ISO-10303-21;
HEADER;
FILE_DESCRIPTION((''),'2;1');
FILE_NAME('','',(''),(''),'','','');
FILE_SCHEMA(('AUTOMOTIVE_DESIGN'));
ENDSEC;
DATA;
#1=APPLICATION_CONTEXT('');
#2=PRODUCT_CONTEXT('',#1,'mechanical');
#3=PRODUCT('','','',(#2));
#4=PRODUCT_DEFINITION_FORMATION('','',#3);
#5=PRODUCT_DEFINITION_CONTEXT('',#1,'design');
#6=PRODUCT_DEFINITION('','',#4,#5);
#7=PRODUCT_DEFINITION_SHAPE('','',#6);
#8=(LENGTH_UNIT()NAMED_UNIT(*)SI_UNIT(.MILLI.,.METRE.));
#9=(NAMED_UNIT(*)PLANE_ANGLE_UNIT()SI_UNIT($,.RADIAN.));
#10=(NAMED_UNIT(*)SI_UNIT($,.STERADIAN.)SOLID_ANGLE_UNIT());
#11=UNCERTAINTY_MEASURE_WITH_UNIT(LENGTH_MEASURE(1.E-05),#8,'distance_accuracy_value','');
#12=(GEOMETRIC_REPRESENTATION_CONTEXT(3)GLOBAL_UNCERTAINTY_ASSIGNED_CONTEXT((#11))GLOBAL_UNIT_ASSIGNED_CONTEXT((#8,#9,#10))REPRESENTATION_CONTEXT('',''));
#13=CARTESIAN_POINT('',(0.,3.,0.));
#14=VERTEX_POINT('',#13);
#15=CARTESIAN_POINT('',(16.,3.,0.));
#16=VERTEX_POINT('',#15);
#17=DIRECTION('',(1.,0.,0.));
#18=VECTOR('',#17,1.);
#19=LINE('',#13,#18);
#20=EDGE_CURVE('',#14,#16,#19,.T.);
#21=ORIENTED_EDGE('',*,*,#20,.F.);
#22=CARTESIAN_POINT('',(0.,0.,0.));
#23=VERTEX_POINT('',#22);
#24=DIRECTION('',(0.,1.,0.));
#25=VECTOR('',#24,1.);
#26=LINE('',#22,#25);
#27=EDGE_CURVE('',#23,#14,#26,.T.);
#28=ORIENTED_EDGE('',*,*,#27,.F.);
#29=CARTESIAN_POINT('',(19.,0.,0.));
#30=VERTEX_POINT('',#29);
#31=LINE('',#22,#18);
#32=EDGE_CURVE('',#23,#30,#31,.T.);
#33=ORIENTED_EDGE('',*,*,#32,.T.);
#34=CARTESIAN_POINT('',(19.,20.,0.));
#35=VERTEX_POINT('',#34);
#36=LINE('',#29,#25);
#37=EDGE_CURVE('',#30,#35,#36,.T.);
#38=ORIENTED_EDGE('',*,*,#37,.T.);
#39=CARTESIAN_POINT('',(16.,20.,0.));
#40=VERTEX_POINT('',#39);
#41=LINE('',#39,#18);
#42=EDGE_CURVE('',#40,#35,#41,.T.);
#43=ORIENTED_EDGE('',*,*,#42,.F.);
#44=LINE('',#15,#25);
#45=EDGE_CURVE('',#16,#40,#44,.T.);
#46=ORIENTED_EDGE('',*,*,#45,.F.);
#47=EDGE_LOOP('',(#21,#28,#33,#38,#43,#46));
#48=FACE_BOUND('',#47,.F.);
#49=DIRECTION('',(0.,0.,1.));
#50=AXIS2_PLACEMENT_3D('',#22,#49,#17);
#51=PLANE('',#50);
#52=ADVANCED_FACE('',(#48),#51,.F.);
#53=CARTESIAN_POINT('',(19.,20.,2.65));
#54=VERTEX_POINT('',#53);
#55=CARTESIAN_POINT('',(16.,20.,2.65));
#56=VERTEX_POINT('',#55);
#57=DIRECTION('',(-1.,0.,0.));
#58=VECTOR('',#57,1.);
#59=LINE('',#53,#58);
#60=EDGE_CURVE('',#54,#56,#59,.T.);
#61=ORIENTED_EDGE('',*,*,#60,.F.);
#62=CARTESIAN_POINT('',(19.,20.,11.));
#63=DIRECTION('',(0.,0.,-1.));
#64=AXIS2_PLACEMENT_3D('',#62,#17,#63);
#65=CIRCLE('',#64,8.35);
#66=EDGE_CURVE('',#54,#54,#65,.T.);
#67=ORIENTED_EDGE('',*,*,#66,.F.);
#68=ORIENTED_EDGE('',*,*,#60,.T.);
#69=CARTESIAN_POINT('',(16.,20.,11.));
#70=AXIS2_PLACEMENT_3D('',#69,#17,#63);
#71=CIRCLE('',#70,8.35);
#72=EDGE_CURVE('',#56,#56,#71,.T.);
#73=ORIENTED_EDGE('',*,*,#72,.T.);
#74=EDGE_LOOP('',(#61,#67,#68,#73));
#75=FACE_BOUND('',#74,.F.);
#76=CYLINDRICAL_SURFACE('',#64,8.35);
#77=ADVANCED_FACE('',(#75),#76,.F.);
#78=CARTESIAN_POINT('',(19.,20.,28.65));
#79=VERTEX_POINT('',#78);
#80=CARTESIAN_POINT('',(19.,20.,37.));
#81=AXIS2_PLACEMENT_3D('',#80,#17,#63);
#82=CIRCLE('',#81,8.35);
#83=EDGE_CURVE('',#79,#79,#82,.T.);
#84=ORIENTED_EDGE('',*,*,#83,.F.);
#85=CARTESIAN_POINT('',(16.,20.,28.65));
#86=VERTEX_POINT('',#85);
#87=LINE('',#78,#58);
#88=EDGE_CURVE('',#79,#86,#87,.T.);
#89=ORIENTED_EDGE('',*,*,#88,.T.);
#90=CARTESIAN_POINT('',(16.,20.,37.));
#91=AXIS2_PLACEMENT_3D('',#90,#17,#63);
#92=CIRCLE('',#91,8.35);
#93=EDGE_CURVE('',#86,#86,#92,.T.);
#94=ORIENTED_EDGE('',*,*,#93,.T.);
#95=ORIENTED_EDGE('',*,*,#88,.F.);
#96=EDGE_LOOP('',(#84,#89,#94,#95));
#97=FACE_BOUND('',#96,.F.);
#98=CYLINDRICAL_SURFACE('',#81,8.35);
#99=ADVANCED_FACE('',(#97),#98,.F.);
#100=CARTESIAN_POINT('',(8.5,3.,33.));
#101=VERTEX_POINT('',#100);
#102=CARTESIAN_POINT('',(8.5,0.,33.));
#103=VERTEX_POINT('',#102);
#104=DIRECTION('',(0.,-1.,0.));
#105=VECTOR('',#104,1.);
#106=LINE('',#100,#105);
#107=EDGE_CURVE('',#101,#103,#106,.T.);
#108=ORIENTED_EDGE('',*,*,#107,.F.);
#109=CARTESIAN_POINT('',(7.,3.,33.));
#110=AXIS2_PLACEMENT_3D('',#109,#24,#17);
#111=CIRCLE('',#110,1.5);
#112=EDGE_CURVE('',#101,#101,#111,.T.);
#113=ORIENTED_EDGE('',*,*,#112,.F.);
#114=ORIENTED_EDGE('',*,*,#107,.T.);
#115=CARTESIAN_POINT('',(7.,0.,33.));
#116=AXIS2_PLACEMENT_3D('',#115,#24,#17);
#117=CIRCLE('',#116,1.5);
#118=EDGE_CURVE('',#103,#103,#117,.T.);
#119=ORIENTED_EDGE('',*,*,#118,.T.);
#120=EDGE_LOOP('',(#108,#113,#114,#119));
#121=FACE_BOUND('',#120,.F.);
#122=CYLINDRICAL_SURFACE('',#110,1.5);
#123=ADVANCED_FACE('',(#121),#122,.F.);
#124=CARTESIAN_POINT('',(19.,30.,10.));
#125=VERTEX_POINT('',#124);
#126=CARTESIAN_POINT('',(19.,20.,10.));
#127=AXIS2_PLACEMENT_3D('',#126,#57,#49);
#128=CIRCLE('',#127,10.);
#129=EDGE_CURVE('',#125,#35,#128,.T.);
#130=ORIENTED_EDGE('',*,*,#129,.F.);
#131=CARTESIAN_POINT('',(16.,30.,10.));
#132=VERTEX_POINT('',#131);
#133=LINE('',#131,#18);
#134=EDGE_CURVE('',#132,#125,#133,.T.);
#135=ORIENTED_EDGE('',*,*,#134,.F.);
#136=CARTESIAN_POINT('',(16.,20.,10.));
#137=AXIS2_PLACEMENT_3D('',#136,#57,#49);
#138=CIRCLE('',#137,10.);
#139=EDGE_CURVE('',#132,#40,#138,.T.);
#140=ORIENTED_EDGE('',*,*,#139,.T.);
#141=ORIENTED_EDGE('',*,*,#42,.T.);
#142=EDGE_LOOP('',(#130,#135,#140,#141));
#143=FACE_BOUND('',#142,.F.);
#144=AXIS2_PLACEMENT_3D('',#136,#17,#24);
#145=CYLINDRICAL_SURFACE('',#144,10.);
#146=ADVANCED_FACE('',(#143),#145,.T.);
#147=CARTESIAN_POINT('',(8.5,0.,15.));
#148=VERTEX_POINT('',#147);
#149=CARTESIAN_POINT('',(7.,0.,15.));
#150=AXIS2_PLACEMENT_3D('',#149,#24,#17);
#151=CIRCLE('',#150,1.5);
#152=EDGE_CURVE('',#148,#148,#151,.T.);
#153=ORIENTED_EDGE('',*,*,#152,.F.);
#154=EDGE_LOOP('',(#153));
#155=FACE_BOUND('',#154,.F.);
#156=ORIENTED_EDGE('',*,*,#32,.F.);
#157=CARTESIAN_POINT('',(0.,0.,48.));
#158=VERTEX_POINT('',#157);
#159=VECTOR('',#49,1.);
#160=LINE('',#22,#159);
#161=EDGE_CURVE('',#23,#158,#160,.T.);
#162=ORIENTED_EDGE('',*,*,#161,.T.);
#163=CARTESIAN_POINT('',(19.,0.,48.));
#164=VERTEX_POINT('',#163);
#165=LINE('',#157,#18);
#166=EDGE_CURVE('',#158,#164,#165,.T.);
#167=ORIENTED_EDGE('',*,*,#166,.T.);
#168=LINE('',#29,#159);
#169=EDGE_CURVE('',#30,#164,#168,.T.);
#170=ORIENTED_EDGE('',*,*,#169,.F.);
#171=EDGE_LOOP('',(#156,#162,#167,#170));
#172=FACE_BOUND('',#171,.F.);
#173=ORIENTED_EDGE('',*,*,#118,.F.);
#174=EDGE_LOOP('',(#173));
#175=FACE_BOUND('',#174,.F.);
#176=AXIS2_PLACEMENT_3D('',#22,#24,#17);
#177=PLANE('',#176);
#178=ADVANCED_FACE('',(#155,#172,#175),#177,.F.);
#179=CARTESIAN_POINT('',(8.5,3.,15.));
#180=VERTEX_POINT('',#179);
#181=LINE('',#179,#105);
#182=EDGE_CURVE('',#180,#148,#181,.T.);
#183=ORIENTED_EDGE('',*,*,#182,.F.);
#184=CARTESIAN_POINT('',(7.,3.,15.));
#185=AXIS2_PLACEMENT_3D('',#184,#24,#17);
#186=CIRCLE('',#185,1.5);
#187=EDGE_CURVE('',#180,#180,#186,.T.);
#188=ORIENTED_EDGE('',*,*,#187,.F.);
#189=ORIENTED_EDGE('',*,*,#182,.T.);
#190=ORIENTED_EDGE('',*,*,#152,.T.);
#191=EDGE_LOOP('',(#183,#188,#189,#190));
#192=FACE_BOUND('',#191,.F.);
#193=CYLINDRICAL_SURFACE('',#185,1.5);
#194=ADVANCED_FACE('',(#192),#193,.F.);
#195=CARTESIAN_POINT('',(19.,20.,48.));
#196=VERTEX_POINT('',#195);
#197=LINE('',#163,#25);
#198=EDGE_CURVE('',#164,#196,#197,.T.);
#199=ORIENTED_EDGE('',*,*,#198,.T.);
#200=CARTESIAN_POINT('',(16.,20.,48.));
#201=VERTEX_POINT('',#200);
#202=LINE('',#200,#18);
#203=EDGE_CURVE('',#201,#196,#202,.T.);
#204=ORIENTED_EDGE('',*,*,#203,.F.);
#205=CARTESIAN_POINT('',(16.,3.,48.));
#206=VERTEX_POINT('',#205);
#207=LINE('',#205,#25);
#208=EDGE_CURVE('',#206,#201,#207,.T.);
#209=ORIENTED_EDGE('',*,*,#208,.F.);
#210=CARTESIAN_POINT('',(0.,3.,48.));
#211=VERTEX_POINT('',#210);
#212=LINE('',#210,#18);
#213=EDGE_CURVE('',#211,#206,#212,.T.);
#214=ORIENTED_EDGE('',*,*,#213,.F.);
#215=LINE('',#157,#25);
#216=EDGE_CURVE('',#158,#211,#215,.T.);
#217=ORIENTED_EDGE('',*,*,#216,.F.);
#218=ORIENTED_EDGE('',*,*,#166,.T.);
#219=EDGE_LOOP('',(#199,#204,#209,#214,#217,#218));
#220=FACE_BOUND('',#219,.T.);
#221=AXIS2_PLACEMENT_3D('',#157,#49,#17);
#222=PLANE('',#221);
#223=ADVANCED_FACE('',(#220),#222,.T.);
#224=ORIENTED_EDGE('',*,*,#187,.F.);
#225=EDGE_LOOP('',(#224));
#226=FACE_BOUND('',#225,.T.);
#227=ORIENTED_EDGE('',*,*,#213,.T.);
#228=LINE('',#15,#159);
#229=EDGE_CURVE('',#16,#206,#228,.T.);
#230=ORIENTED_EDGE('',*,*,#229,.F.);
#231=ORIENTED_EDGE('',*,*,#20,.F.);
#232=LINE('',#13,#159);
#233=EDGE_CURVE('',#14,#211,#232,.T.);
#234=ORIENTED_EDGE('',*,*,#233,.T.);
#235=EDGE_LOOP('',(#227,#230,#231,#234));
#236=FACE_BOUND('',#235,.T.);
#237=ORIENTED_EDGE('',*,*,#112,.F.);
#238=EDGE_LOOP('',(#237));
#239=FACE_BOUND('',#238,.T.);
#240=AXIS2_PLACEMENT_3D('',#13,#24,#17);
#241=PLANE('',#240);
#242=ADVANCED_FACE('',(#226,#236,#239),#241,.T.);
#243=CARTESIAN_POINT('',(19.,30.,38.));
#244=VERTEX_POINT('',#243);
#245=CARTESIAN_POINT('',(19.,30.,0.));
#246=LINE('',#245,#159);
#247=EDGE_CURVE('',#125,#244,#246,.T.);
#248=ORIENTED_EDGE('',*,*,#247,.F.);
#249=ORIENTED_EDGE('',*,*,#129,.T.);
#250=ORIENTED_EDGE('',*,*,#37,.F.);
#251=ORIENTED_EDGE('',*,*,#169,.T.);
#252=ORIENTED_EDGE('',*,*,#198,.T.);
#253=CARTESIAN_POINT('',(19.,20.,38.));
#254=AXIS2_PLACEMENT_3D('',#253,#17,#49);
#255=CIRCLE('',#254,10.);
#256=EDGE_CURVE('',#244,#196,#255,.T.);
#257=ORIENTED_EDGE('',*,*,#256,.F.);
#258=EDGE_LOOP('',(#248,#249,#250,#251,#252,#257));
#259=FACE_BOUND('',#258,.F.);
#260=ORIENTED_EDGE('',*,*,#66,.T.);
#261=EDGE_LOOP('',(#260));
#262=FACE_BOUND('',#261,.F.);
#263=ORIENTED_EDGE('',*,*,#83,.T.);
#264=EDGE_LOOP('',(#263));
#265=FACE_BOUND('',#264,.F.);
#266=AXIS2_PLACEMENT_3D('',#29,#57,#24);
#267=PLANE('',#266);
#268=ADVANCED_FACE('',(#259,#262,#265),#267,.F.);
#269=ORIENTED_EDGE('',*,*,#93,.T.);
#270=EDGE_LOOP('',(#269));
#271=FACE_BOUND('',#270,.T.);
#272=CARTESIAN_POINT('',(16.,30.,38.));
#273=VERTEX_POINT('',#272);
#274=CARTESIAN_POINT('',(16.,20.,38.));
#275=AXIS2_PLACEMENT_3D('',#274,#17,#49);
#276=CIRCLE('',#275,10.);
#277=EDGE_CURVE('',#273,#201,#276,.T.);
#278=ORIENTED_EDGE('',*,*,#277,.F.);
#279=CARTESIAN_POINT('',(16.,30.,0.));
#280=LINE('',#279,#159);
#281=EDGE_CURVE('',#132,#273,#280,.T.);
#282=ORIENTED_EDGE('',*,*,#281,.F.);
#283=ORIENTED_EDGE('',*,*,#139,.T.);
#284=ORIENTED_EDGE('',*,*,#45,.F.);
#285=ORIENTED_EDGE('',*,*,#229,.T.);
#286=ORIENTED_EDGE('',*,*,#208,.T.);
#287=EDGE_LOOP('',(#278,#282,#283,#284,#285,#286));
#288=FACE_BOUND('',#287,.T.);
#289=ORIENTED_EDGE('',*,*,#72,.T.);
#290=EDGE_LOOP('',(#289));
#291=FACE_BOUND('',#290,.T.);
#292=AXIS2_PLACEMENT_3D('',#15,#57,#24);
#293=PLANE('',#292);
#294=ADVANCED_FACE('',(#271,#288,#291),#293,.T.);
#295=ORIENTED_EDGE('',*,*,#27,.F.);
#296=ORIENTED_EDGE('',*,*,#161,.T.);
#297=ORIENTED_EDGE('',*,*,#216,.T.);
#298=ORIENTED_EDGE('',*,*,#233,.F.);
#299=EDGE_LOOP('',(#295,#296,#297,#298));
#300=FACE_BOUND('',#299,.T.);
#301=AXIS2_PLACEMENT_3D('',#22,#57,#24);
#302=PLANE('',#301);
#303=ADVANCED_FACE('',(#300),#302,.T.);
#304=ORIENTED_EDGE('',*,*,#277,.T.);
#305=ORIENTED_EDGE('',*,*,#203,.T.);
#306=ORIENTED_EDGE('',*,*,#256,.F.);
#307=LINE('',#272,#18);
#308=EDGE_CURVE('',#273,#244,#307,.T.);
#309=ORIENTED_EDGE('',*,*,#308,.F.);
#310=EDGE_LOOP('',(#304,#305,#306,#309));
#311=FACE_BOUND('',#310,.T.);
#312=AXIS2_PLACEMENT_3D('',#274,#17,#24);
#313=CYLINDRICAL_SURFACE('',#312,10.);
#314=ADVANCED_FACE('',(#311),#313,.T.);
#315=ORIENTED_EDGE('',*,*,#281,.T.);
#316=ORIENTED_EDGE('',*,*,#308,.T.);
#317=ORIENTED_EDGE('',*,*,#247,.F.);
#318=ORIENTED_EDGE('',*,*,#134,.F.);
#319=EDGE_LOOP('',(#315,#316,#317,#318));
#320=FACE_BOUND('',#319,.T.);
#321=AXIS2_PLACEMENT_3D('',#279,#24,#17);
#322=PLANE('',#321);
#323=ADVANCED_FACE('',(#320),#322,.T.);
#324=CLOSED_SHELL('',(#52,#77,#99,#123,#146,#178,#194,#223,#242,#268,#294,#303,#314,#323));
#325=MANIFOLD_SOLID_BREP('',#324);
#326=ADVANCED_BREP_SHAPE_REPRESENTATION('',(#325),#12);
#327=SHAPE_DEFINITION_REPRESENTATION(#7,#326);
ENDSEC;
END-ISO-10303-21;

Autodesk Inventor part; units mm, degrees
ref_plane "YZ Plane" through (0, 0, 0) normal (1, 0, 0) x (0, 1, 0)
ref_plane "XZ Plane" through (0, 0, 0) normal (0, 1, 0) x (-1, 0, 0)
ref_plane "XY Plane" through (0, 0, 0) normal (0, 0, 1) x (1, 0, 0)
sketch "Sketch1" plane through (0, 0, 0) normal (0, 0, 1) x (1, 0, 0)
  line L0 (0, 0) -> (0, 3)
  line L1 (0, 3) -> (16, 3)
  line L2 (0, 0) -> (19, 0)
  line L3 (19, 0) -> (19, 30)
  line L4 (16, 3) -> (16, 30)
  line L5 (16, 30) -> (19, 30)
  dimension "d0" = 3
  dimension "d1" = 16
  dimension "d2" = 19
  dimension "d3" = 30
extrude "Extrusion1" add sketch "Sketch1" along normal blind 48
fillet "Fillet1" radius 10 2 edges at (17.5, 30, 0) (17.5, 30, 48)
sketch "Sketch2" plane through (19, 0, 48) normal (1, 0, 0) x (0, 0, -1)
  circle A0 centre (11, 20) radius 8.35
  circle A1 centre (37, 20) radius 8.35
  line L0 (48, 20) -> (48, 0) projected
  line L1 (38, 30) -> (10, 30) projected
  line L2 (0, 0) -> (0, 20) projected
  dimension "d7" = 16.7
  dimension "d8" = 16.7
  dimension "d9" = 11
  dimension "d10" = 10
  dimension "d11" = 10
  dimension "d12" = 11
extrude "Extrusion2" cut sketch "Sketch2" against normal blind 48
sketch "Sketch3" plane through (0, 3, 0) normal (0, 1, 0) x (1, 0, 0)
  circle A0 centre (7, -33) radius 1.5
  circle A1 centre (7, -15) radius 1.5
  line L0 (0, 0) -> (16, 0) projected
  line L1 (16, -48) -> (0, -48) projected
  line L2 (0, 0) -> (0, -48) projected
  dimension "d15" = 3
  dimension "d16" = 3
  dimension "d17" = 15
  dimension "d18" = 15
  dimension "d19" = 7
  dimension "d20" = 7
extrude "Extrusion3" cut sketch "Sketch3" against normal blind 48
